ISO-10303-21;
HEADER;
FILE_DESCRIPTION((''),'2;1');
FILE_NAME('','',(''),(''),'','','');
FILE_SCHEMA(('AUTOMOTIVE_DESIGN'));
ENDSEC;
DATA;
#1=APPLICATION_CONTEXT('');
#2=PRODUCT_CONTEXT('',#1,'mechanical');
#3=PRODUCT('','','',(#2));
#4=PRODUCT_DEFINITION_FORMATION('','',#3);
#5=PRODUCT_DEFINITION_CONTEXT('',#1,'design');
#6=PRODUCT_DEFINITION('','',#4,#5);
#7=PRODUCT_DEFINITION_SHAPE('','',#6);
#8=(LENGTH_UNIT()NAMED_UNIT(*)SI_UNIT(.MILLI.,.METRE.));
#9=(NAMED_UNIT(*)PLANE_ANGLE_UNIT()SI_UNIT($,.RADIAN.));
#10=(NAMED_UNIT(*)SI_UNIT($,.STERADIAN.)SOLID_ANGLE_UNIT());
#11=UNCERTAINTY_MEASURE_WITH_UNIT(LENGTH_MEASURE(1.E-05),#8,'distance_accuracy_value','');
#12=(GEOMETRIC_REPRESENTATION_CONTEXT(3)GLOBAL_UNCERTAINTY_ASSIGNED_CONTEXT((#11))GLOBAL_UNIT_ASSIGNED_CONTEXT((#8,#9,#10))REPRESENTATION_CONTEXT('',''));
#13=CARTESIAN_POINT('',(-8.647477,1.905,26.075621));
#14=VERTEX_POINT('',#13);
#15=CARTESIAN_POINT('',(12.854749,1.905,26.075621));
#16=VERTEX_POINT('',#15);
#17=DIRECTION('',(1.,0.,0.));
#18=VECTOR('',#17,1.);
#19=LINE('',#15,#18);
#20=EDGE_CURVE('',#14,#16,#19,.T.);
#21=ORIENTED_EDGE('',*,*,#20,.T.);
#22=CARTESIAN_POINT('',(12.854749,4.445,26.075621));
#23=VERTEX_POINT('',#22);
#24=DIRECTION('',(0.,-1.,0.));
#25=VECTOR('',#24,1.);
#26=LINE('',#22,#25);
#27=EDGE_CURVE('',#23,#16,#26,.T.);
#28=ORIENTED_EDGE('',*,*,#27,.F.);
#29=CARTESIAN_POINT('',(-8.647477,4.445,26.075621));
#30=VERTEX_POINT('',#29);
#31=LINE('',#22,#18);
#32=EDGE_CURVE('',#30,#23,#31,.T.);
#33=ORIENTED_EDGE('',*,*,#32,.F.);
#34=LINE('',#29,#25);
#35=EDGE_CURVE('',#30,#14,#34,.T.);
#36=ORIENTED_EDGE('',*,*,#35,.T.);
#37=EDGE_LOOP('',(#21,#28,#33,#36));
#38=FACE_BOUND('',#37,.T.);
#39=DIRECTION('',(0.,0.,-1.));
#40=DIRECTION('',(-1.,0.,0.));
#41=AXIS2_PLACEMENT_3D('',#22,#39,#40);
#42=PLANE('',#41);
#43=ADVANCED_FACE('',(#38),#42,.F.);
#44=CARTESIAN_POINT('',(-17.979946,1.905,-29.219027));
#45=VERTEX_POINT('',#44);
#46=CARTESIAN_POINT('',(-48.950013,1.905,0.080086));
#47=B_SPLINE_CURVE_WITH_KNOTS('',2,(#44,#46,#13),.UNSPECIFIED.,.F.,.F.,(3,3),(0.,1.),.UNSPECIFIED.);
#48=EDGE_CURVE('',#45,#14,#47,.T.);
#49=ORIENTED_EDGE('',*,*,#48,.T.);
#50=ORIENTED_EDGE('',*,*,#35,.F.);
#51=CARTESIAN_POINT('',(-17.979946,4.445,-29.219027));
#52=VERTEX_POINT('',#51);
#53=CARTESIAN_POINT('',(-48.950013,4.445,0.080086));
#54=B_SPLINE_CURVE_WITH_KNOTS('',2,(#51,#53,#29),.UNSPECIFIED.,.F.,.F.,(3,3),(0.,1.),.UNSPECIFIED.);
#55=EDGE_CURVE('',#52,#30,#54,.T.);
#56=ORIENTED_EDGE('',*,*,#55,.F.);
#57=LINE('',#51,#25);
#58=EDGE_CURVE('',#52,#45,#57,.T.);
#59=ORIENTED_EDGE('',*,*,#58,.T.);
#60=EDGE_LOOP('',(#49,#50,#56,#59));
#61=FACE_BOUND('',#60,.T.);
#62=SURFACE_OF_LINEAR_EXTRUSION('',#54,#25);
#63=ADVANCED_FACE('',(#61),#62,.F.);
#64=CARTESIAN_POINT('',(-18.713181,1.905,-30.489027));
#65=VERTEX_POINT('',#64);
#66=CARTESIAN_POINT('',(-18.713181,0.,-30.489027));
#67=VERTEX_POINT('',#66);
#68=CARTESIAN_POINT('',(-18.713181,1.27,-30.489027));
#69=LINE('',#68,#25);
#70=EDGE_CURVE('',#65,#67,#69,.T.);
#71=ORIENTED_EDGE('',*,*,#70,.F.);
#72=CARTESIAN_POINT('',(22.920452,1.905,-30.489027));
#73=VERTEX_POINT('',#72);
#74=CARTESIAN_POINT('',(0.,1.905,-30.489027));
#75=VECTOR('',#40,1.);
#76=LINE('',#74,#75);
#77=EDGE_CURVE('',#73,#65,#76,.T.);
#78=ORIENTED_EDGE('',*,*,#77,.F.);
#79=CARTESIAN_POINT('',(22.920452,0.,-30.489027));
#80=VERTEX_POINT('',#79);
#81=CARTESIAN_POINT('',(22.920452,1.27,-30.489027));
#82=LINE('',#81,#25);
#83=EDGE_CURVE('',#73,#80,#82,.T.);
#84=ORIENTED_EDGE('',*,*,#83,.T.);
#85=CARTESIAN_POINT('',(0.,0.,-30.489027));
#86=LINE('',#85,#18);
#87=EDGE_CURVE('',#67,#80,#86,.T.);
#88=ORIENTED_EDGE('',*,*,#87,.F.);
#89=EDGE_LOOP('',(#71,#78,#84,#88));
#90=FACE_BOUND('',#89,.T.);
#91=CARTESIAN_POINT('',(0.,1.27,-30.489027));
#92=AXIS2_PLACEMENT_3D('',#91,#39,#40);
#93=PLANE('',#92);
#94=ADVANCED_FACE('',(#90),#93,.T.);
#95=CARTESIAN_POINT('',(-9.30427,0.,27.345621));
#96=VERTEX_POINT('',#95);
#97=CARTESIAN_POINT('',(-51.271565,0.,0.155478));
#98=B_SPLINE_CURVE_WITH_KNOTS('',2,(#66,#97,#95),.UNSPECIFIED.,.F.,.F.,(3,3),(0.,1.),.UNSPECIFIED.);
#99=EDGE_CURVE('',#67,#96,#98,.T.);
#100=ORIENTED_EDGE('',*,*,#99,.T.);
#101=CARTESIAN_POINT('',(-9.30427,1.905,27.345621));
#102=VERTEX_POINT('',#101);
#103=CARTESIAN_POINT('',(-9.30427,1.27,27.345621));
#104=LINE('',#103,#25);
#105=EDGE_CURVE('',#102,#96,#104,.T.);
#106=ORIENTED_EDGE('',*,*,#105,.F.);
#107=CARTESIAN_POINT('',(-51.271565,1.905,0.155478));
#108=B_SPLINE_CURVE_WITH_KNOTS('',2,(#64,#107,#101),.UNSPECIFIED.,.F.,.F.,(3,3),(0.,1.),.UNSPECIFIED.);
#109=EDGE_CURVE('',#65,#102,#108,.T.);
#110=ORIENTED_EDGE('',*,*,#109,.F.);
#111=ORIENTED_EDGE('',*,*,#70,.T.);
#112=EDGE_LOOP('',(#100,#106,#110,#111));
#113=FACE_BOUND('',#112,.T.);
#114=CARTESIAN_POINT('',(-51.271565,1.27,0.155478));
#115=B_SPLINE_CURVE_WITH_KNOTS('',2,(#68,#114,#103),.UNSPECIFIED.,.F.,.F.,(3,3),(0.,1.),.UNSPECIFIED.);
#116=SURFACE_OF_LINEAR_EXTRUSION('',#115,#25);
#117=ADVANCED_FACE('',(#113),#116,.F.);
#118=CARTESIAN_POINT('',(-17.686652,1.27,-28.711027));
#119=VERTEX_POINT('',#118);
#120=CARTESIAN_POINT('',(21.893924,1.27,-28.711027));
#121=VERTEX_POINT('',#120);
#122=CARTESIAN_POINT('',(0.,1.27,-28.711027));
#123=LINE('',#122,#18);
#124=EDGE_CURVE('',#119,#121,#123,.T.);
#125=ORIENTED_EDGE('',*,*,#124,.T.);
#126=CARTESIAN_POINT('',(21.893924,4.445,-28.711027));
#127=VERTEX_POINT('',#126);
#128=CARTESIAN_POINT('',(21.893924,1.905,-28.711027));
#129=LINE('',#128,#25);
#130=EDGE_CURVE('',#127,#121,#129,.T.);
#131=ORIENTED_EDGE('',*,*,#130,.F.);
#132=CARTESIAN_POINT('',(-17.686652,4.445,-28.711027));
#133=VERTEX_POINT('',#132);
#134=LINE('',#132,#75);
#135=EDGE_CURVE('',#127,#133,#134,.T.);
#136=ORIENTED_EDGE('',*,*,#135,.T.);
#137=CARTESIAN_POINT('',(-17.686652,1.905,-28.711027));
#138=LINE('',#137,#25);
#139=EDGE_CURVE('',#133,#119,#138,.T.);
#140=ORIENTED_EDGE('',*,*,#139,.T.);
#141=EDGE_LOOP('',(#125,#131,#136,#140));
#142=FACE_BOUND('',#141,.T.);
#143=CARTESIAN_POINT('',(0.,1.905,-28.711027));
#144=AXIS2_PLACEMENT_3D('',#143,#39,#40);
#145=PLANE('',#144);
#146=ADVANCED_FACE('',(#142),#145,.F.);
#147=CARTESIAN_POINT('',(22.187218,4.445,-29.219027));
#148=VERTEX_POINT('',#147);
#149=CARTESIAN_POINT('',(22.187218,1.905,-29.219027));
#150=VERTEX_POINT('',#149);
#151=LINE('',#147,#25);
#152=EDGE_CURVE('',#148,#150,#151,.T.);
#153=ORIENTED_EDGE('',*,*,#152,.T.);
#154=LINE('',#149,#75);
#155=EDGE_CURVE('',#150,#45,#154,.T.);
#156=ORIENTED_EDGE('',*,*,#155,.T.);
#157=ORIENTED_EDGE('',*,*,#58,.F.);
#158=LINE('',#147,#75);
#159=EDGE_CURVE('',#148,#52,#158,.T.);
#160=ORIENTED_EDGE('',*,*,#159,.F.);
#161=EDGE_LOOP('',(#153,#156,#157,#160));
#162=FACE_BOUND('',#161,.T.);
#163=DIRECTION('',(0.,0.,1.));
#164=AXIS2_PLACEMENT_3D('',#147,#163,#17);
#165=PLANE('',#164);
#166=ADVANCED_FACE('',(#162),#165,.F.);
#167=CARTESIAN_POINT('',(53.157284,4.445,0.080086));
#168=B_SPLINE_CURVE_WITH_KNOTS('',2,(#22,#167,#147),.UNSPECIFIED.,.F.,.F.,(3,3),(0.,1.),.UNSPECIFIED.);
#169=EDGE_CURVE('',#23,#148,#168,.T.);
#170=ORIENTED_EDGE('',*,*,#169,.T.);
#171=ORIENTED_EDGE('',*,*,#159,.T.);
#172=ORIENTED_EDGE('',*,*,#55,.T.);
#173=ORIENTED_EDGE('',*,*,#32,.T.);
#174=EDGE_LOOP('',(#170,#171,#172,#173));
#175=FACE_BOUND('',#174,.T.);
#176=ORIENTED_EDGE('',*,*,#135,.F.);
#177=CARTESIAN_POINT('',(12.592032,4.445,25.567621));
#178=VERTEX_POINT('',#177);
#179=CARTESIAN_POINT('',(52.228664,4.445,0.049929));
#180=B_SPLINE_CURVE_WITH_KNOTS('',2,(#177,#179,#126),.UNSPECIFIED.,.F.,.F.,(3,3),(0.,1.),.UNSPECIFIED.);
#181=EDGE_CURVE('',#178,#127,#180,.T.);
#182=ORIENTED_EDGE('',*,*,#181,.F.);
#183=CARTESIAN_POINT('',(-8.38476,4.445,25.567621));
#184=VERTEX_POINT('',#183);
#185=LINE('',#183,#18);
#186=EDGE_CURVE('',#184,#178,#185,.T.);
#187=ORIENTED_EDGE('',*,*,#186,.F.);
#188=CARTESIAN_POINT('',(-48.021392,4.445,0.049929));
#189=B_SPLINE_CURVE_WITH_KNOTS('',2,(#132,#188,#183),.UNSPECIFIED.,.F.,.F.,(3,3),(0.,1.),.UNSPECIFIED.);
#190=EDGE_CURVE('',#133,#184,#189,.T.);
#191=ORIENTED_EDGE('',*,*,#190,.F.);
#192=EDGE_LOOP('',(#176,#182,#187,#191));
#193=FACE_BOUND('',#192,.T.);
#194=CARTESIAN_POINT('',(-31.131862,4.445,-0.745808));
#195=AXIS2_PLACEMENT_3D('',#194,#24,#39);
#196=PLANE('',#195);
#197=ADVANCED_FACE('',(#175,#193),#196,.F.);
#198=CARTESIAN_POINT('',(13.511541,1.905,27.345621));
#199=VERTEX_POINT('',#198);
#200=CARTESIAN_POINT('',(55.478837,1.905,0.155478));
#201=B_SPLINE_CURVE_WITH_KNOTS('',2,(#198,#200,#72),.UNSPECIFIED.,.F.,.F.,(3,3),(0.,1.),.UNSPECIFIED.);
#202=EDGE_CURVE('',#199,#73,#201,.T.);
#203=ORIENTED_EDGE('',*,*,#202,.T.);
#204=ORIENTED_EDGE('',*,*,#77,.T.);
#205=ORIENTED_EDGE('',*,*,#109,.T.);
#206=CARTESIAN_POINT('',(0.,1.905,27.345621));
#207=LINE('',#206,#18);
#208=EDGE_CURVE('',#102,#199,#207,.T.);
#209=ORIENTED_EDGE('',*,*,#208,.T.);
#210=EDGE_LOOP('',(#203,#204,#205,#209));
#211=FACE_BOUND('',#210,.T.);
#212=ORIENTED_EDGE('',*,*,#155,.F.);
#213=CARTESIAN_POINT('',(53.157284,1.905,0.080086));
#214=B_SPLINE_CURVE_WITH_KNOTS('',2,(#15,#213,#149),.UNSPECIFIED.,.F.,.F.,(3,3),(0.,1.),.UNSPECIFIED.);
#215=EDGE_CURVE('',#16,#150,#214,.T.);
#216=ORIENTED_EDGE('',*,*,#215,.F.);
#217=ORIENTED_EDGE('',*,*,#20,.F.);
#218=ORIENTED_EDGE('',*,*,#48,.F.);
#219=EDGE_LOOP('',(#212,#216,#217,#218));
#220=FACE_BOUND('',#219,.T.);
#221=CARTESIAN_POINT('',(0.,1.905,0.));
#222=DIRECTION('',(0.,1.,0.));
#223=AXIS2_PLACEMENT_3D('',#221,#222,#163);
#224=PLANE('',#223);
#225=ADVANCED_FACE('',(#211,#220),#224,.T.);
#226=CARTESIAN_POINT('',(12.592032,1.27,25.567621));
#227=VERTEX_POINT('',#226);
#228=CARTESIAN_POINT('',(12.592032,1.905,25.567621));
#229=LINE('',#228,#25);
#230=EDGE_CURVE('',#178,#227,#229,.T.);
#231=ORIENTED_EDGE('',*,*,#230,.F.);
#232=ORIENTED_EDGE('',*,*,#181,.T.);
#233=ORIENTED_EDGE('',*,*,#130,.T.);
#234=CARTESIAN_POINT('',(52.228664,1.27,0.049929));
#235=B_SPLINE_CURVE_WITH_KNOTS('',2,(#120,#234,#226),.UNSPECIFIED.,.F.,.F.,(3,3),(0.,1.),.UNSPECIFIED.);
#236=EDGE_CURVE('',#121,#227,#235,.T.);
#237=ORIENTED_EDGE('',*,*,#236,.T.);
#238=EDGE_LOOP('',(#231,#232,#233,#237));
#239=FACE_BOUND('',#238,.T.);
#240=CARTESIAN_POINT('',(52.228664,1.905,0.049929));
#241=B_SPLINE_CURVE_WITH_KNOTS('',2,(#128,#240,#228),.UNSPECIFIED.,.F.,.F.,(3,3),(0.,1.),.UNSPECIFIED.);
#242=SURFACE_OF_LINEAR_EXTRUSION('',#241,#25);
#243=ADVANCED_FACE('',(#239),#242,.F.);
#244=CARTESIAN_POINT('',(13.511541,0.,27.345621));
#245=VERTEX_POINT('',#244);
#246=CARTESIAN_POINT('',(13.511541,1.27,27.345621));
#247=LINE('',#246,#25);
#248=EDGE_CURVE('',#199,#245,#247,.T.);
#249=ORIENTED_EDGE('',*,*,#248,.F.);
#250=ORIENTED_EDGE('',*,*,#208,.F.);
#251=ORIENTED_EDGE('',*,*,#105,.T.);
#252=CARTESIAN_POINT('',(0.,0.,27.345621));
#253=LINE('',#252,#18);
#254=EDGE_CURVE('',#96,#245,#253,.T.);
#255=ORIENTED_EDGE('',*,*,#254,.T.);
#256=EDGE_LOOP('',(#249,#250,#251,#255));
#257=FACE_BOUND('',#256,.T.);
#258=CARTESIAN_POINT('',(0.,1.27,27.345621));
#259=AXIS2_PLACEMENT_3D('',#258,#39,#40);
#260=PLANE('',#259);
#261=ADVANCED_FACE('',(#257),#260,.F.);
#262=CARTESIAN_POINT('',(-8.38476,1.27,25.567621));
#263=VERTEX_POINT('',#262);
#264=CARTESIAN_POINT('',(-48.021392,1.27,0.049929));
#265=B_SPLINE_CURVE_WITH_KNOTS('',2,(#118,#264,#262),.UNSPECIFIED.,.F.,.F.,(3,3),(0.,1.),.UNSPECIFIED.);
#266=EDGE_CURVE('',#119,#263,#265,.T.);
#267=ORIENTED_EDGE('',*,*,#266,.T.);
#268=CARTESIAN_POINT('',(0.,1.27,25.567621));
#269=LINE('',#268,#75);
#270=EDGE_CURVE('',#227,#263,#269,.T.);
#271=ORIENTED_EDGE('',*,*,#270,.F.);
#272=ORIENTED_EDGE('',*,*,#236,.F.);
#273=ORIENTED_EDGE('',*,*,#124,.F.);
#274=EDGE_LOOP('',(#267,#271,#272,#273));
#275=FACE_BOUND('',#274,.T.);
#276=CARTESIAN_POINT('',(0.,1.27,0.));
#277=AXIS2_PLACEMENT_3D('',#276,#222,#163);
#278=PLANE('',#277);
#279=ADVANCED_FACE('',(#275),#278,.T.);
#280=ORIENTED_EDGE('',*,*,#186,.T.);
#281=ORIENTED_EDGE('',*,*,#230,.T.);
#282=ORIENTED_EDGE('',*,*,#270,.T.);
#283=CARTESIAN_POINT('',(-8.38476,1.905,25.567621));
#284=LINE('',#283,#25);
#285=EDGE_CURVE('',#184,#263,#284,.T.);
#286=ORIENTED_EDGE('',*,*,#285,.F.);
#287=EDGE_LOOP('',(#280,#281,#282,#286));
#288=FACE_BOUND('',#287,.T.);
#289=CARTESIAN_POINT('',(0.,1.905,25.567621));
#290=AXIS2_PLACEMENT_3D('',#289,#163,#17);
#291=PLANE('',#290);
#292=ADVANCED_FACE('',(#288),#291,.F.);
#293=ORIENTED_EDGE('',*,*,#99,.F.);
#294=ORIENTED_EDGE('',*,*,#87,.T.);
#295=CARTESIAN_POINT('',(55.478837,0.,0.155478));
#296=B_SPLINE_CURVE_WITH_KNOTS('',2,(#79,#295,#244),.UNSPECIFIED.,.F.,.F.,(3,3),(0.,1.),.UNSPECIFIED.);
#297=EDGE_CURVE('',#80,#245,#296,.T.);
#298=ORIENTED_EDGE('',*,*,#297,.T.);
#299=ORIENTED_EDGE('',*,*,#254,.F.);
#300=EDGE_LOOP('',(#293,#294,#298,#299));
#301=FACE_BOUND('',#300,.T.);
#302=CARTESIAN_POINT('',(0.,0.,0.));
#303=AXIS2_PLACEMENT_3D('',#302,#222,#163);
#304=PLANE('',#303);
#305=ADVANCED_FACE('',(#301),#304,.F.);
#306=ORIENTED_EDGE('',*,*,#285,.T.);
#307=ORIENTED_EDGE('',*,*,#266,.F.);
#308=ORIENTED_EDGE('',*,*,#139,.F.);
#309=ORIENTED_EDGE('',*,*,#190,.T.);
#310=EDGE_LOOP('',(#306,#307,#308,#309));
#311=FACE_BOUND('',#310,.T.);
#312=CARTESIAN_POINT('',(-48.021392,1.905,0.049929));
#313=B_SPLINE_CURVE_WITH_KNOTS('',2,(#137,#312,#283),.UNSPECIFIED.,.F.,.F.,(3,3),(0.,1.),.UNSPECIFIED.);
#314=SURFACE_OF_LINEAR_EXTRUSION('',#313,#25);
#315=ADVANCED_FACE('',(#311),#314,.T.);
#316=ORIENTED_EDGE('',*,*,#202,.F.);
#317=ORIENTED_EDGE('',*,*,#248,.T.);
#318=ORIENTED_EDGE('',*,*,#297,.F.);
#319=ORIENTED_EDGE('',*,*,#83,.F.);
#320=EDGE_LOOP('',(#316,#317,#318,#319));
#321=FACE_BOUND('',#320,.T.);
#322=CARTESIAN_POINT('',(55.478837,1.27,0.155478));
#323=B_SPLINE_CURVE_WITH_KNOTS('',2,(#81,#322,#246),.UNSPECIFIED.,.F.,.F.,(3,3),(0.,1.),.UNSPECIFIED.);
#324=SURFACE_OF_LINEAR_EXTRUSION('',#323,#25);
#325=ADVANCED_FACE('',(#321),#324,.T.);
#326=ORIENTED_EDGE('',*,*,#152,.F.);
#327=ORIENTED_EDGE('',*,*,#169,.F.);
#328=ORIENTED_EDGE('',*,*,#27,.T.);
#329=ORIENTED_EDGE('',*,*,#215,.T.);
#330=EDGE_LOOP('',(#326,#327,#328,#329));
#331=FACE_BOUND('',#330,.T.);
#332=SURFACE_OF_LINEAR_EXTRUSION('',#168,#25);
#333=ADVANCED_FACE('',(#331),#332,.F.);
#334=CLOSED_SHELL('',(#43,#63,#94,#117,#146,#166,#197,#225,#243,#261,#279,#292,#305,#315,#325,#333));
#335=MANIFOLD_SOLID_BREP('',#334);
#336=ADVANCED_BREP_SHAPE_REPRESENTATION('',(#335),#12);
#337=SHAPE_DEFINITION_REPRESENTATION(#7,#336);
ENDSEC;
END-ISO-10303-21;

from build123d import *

# Parameters (mm, degrees)
BOSS_EXTRUDE6_DEPTH = 1.27
BOSS_EXTRUDE7_DEPTH = 0.635
BOSS_EXTRUDE8_DEPTH = 2.54


with BuildPart() as part:
    # Sketch1 → Boss-Extrude6 (new body)
    with BuildSketch(Plane(origin=(0, 0, 0), x_dir=(1, 0, 0), z_dir=(0, 1, 0))):
        with BuildLine():
            Line((-9.304269575, -27.345620797), (13.511541223, -27.345620797))
            add(Edge.make_bspline(
                [(22.920452389, 30.489026504), (55.478836557, -0.15547818), (13.511541223, -27.345620797)],
                knots=[0, 0, 0, 1, 1, 1], degree=2))
            Line((22.920452389, 30.489026504), (-18.713180741, 30.489026504))
            add(Edge.make_bspline(
                [(-18.713180741, 30.489026504), (-51.271564909, -0.15547818), (-9.304269575, -27.345620797)],
                knots=[0, 0, 0, 1, 1, 1], degree=2))
        make_face()
    extrude(amount=BOSS_EXTRUDE6_DEPTH)

    # Sketch2 → Boss-Extrude7 (add)
    # profile 1 of 2: a face of its own
    with BuildSketch(Plane(origin=(0, 1.27, 0), x_dir=(1, 0, 0), z_dir=(0, 1, 0))):
        with BuildLine():
            Line((-9.304269575, -27.345620797), (13.511541223, -27.345620797))
            add(Edge.make_bspline(
                [(13.511541223, -27.345620797), (55.478836557, -0.15547818), (22.920452389, 30.489026504)],
                knots=[0, 0, 0, 1, 1, 1], degree=2))
            Line((22.920452389, 30.489026504), (-18.713180741, 30.489026504))
            add(Edge.make_bspline(
                [(-18.713180741, 30.489026504), (-51.271564909, -0.15547818), (-9.304269575, -27.345620797)],
                knots=[0, 0, 0, 1, 1, 1], degree=2))
        make_face()
        with BuildLine():
            Line((-17.979945899, 29.219026504), (22.187217547, 29.219026504))
            add(Edge.make_bspline(
                [(22.187217547, 29.219026504), (53.157284404, -0.080086004), (12.854748908, -26.075620797)],
                knots=[0, 0, 0, 1, 1, 1], degree=2))
            Line((12.854748908, -26.075620797), (-8.64747726, -26.075620797))
            add(Edge.make_bspline(
                [(-17.979945899, 29.219026504), (-48.950012756, -0.080086004), (-8.64747726, -26.075620797)],
                knots=[0, 0, 0, 1, 1, 1], degree=2))
        make_face(mode=Mode.SUBTRACT)
    # profile 2 of 2: a face of its own
    with BuildSketch(Plane(origin=(0, 1.27, 0), x_dir=(1, 0, 0), z_dir=(0, 1, 0))):
        with BuildLine():
            add(Edge.make_bspline(
                [(22.187217547, 29.219026504), (53.157284404, -0.080086004), (12.854748908, -26.075620797)],
                knots=[0, 0, 0, 1, 1, 1], degree=2))
            Line((12.854748908, -26.075620797), (-8.64747726, -26.075620797))
            add(Edge.make_bspline(
                [(-17.979945899, 29.219026504), (-48.950012756, -0.080086004), (-8.64747726, -26.075620797)],
                knots=[0, 0, 0, 1, 1, 1], degree=2))
            Line((-17.979945899, 29.219026504), (22.187217547, 29.219026504))
        make_face()
        with BuildLine():
            Line((-17.686651962, 28.711026504), (21.89392361, 28.711026504))
            add(Edge.make_bspline(
                [(21.89392361, 28.711026504), (52.228663543, -0.049929134), (12.592031982, -25.567620797)],
                knots=[0, 0, 0, 1, 1, 1], degree=2))
            Line((12.592031982, -25.567620797), (-8.384760334, -25.567620797))
            add(Edge.make_bspline(
                [(-17.686651962, 28.711026504), (-48.021391895, -0.049929134), (-8.384760334, -25.567620797)],
                knots=[0, 0, 0, 1, 1, 1], degree=2))
        make_face(mode=Mode.SUBTRACT)
    extrude(amount=BOSS_EXTRUDE7_DEPTH)

    # Sketch3 → Boss-Extrude8 (add)
    with BuildSketch(Plane(origin=(0, 1.905, 0), x_dir=(1, 0, 0), z_dir=(0, 1, 0))):
        with BuildLine():
            Line((22.187217547, 29.219026504), (-17.979945899, 29.219026504))
            add(Edge.make_bspline(
                [(-17.979945899, 29.219026504), (-48.950012756, -0.080086004), (-8.64747726, -26.075620797)],
                knots=[0, 0, 0, 1, 1, 1], degree=2))
            Line((-8.64747726, -26.075620797), (12.854748908, -26.075620797))
            add(Edge.make_bspline(
                [(22.187217547, 29.219026504), (53.157284404, -0.080086004), (12.854748908, -26.075620797)],
                knots=[0, 0, 0, 1, 1, 1], degree=2))
        make_face()
        with BuildLine():
            Line((-17.686651962, 28.711026504), (21.89392361, 28.711026504))
            add(Edge.make_bspline(
                [(12.592031982, -25.567620797), (52.228663543, -0.049929134), (21.89392361, 28.711026504)],
                knots=[0, 0, 0, 1, 1, 1], degree=2))
            Line((12.592031982, -25.567620797), (-8.384760334, -25.567620797))
            add(Edge.make_bspline(
                [(-17.686651962, 28.711026504), (-48.021391895, -0.049929134), (-8.384760334, -25.567620797)],
                knots=[0, 0, 0, 1, 1, 1], degree=2))
        make_face(mode=Mode.SUBTRACT)
    extrude(amount=BOSS_EXTRUDE8_DEPTH)


solid = part.part
